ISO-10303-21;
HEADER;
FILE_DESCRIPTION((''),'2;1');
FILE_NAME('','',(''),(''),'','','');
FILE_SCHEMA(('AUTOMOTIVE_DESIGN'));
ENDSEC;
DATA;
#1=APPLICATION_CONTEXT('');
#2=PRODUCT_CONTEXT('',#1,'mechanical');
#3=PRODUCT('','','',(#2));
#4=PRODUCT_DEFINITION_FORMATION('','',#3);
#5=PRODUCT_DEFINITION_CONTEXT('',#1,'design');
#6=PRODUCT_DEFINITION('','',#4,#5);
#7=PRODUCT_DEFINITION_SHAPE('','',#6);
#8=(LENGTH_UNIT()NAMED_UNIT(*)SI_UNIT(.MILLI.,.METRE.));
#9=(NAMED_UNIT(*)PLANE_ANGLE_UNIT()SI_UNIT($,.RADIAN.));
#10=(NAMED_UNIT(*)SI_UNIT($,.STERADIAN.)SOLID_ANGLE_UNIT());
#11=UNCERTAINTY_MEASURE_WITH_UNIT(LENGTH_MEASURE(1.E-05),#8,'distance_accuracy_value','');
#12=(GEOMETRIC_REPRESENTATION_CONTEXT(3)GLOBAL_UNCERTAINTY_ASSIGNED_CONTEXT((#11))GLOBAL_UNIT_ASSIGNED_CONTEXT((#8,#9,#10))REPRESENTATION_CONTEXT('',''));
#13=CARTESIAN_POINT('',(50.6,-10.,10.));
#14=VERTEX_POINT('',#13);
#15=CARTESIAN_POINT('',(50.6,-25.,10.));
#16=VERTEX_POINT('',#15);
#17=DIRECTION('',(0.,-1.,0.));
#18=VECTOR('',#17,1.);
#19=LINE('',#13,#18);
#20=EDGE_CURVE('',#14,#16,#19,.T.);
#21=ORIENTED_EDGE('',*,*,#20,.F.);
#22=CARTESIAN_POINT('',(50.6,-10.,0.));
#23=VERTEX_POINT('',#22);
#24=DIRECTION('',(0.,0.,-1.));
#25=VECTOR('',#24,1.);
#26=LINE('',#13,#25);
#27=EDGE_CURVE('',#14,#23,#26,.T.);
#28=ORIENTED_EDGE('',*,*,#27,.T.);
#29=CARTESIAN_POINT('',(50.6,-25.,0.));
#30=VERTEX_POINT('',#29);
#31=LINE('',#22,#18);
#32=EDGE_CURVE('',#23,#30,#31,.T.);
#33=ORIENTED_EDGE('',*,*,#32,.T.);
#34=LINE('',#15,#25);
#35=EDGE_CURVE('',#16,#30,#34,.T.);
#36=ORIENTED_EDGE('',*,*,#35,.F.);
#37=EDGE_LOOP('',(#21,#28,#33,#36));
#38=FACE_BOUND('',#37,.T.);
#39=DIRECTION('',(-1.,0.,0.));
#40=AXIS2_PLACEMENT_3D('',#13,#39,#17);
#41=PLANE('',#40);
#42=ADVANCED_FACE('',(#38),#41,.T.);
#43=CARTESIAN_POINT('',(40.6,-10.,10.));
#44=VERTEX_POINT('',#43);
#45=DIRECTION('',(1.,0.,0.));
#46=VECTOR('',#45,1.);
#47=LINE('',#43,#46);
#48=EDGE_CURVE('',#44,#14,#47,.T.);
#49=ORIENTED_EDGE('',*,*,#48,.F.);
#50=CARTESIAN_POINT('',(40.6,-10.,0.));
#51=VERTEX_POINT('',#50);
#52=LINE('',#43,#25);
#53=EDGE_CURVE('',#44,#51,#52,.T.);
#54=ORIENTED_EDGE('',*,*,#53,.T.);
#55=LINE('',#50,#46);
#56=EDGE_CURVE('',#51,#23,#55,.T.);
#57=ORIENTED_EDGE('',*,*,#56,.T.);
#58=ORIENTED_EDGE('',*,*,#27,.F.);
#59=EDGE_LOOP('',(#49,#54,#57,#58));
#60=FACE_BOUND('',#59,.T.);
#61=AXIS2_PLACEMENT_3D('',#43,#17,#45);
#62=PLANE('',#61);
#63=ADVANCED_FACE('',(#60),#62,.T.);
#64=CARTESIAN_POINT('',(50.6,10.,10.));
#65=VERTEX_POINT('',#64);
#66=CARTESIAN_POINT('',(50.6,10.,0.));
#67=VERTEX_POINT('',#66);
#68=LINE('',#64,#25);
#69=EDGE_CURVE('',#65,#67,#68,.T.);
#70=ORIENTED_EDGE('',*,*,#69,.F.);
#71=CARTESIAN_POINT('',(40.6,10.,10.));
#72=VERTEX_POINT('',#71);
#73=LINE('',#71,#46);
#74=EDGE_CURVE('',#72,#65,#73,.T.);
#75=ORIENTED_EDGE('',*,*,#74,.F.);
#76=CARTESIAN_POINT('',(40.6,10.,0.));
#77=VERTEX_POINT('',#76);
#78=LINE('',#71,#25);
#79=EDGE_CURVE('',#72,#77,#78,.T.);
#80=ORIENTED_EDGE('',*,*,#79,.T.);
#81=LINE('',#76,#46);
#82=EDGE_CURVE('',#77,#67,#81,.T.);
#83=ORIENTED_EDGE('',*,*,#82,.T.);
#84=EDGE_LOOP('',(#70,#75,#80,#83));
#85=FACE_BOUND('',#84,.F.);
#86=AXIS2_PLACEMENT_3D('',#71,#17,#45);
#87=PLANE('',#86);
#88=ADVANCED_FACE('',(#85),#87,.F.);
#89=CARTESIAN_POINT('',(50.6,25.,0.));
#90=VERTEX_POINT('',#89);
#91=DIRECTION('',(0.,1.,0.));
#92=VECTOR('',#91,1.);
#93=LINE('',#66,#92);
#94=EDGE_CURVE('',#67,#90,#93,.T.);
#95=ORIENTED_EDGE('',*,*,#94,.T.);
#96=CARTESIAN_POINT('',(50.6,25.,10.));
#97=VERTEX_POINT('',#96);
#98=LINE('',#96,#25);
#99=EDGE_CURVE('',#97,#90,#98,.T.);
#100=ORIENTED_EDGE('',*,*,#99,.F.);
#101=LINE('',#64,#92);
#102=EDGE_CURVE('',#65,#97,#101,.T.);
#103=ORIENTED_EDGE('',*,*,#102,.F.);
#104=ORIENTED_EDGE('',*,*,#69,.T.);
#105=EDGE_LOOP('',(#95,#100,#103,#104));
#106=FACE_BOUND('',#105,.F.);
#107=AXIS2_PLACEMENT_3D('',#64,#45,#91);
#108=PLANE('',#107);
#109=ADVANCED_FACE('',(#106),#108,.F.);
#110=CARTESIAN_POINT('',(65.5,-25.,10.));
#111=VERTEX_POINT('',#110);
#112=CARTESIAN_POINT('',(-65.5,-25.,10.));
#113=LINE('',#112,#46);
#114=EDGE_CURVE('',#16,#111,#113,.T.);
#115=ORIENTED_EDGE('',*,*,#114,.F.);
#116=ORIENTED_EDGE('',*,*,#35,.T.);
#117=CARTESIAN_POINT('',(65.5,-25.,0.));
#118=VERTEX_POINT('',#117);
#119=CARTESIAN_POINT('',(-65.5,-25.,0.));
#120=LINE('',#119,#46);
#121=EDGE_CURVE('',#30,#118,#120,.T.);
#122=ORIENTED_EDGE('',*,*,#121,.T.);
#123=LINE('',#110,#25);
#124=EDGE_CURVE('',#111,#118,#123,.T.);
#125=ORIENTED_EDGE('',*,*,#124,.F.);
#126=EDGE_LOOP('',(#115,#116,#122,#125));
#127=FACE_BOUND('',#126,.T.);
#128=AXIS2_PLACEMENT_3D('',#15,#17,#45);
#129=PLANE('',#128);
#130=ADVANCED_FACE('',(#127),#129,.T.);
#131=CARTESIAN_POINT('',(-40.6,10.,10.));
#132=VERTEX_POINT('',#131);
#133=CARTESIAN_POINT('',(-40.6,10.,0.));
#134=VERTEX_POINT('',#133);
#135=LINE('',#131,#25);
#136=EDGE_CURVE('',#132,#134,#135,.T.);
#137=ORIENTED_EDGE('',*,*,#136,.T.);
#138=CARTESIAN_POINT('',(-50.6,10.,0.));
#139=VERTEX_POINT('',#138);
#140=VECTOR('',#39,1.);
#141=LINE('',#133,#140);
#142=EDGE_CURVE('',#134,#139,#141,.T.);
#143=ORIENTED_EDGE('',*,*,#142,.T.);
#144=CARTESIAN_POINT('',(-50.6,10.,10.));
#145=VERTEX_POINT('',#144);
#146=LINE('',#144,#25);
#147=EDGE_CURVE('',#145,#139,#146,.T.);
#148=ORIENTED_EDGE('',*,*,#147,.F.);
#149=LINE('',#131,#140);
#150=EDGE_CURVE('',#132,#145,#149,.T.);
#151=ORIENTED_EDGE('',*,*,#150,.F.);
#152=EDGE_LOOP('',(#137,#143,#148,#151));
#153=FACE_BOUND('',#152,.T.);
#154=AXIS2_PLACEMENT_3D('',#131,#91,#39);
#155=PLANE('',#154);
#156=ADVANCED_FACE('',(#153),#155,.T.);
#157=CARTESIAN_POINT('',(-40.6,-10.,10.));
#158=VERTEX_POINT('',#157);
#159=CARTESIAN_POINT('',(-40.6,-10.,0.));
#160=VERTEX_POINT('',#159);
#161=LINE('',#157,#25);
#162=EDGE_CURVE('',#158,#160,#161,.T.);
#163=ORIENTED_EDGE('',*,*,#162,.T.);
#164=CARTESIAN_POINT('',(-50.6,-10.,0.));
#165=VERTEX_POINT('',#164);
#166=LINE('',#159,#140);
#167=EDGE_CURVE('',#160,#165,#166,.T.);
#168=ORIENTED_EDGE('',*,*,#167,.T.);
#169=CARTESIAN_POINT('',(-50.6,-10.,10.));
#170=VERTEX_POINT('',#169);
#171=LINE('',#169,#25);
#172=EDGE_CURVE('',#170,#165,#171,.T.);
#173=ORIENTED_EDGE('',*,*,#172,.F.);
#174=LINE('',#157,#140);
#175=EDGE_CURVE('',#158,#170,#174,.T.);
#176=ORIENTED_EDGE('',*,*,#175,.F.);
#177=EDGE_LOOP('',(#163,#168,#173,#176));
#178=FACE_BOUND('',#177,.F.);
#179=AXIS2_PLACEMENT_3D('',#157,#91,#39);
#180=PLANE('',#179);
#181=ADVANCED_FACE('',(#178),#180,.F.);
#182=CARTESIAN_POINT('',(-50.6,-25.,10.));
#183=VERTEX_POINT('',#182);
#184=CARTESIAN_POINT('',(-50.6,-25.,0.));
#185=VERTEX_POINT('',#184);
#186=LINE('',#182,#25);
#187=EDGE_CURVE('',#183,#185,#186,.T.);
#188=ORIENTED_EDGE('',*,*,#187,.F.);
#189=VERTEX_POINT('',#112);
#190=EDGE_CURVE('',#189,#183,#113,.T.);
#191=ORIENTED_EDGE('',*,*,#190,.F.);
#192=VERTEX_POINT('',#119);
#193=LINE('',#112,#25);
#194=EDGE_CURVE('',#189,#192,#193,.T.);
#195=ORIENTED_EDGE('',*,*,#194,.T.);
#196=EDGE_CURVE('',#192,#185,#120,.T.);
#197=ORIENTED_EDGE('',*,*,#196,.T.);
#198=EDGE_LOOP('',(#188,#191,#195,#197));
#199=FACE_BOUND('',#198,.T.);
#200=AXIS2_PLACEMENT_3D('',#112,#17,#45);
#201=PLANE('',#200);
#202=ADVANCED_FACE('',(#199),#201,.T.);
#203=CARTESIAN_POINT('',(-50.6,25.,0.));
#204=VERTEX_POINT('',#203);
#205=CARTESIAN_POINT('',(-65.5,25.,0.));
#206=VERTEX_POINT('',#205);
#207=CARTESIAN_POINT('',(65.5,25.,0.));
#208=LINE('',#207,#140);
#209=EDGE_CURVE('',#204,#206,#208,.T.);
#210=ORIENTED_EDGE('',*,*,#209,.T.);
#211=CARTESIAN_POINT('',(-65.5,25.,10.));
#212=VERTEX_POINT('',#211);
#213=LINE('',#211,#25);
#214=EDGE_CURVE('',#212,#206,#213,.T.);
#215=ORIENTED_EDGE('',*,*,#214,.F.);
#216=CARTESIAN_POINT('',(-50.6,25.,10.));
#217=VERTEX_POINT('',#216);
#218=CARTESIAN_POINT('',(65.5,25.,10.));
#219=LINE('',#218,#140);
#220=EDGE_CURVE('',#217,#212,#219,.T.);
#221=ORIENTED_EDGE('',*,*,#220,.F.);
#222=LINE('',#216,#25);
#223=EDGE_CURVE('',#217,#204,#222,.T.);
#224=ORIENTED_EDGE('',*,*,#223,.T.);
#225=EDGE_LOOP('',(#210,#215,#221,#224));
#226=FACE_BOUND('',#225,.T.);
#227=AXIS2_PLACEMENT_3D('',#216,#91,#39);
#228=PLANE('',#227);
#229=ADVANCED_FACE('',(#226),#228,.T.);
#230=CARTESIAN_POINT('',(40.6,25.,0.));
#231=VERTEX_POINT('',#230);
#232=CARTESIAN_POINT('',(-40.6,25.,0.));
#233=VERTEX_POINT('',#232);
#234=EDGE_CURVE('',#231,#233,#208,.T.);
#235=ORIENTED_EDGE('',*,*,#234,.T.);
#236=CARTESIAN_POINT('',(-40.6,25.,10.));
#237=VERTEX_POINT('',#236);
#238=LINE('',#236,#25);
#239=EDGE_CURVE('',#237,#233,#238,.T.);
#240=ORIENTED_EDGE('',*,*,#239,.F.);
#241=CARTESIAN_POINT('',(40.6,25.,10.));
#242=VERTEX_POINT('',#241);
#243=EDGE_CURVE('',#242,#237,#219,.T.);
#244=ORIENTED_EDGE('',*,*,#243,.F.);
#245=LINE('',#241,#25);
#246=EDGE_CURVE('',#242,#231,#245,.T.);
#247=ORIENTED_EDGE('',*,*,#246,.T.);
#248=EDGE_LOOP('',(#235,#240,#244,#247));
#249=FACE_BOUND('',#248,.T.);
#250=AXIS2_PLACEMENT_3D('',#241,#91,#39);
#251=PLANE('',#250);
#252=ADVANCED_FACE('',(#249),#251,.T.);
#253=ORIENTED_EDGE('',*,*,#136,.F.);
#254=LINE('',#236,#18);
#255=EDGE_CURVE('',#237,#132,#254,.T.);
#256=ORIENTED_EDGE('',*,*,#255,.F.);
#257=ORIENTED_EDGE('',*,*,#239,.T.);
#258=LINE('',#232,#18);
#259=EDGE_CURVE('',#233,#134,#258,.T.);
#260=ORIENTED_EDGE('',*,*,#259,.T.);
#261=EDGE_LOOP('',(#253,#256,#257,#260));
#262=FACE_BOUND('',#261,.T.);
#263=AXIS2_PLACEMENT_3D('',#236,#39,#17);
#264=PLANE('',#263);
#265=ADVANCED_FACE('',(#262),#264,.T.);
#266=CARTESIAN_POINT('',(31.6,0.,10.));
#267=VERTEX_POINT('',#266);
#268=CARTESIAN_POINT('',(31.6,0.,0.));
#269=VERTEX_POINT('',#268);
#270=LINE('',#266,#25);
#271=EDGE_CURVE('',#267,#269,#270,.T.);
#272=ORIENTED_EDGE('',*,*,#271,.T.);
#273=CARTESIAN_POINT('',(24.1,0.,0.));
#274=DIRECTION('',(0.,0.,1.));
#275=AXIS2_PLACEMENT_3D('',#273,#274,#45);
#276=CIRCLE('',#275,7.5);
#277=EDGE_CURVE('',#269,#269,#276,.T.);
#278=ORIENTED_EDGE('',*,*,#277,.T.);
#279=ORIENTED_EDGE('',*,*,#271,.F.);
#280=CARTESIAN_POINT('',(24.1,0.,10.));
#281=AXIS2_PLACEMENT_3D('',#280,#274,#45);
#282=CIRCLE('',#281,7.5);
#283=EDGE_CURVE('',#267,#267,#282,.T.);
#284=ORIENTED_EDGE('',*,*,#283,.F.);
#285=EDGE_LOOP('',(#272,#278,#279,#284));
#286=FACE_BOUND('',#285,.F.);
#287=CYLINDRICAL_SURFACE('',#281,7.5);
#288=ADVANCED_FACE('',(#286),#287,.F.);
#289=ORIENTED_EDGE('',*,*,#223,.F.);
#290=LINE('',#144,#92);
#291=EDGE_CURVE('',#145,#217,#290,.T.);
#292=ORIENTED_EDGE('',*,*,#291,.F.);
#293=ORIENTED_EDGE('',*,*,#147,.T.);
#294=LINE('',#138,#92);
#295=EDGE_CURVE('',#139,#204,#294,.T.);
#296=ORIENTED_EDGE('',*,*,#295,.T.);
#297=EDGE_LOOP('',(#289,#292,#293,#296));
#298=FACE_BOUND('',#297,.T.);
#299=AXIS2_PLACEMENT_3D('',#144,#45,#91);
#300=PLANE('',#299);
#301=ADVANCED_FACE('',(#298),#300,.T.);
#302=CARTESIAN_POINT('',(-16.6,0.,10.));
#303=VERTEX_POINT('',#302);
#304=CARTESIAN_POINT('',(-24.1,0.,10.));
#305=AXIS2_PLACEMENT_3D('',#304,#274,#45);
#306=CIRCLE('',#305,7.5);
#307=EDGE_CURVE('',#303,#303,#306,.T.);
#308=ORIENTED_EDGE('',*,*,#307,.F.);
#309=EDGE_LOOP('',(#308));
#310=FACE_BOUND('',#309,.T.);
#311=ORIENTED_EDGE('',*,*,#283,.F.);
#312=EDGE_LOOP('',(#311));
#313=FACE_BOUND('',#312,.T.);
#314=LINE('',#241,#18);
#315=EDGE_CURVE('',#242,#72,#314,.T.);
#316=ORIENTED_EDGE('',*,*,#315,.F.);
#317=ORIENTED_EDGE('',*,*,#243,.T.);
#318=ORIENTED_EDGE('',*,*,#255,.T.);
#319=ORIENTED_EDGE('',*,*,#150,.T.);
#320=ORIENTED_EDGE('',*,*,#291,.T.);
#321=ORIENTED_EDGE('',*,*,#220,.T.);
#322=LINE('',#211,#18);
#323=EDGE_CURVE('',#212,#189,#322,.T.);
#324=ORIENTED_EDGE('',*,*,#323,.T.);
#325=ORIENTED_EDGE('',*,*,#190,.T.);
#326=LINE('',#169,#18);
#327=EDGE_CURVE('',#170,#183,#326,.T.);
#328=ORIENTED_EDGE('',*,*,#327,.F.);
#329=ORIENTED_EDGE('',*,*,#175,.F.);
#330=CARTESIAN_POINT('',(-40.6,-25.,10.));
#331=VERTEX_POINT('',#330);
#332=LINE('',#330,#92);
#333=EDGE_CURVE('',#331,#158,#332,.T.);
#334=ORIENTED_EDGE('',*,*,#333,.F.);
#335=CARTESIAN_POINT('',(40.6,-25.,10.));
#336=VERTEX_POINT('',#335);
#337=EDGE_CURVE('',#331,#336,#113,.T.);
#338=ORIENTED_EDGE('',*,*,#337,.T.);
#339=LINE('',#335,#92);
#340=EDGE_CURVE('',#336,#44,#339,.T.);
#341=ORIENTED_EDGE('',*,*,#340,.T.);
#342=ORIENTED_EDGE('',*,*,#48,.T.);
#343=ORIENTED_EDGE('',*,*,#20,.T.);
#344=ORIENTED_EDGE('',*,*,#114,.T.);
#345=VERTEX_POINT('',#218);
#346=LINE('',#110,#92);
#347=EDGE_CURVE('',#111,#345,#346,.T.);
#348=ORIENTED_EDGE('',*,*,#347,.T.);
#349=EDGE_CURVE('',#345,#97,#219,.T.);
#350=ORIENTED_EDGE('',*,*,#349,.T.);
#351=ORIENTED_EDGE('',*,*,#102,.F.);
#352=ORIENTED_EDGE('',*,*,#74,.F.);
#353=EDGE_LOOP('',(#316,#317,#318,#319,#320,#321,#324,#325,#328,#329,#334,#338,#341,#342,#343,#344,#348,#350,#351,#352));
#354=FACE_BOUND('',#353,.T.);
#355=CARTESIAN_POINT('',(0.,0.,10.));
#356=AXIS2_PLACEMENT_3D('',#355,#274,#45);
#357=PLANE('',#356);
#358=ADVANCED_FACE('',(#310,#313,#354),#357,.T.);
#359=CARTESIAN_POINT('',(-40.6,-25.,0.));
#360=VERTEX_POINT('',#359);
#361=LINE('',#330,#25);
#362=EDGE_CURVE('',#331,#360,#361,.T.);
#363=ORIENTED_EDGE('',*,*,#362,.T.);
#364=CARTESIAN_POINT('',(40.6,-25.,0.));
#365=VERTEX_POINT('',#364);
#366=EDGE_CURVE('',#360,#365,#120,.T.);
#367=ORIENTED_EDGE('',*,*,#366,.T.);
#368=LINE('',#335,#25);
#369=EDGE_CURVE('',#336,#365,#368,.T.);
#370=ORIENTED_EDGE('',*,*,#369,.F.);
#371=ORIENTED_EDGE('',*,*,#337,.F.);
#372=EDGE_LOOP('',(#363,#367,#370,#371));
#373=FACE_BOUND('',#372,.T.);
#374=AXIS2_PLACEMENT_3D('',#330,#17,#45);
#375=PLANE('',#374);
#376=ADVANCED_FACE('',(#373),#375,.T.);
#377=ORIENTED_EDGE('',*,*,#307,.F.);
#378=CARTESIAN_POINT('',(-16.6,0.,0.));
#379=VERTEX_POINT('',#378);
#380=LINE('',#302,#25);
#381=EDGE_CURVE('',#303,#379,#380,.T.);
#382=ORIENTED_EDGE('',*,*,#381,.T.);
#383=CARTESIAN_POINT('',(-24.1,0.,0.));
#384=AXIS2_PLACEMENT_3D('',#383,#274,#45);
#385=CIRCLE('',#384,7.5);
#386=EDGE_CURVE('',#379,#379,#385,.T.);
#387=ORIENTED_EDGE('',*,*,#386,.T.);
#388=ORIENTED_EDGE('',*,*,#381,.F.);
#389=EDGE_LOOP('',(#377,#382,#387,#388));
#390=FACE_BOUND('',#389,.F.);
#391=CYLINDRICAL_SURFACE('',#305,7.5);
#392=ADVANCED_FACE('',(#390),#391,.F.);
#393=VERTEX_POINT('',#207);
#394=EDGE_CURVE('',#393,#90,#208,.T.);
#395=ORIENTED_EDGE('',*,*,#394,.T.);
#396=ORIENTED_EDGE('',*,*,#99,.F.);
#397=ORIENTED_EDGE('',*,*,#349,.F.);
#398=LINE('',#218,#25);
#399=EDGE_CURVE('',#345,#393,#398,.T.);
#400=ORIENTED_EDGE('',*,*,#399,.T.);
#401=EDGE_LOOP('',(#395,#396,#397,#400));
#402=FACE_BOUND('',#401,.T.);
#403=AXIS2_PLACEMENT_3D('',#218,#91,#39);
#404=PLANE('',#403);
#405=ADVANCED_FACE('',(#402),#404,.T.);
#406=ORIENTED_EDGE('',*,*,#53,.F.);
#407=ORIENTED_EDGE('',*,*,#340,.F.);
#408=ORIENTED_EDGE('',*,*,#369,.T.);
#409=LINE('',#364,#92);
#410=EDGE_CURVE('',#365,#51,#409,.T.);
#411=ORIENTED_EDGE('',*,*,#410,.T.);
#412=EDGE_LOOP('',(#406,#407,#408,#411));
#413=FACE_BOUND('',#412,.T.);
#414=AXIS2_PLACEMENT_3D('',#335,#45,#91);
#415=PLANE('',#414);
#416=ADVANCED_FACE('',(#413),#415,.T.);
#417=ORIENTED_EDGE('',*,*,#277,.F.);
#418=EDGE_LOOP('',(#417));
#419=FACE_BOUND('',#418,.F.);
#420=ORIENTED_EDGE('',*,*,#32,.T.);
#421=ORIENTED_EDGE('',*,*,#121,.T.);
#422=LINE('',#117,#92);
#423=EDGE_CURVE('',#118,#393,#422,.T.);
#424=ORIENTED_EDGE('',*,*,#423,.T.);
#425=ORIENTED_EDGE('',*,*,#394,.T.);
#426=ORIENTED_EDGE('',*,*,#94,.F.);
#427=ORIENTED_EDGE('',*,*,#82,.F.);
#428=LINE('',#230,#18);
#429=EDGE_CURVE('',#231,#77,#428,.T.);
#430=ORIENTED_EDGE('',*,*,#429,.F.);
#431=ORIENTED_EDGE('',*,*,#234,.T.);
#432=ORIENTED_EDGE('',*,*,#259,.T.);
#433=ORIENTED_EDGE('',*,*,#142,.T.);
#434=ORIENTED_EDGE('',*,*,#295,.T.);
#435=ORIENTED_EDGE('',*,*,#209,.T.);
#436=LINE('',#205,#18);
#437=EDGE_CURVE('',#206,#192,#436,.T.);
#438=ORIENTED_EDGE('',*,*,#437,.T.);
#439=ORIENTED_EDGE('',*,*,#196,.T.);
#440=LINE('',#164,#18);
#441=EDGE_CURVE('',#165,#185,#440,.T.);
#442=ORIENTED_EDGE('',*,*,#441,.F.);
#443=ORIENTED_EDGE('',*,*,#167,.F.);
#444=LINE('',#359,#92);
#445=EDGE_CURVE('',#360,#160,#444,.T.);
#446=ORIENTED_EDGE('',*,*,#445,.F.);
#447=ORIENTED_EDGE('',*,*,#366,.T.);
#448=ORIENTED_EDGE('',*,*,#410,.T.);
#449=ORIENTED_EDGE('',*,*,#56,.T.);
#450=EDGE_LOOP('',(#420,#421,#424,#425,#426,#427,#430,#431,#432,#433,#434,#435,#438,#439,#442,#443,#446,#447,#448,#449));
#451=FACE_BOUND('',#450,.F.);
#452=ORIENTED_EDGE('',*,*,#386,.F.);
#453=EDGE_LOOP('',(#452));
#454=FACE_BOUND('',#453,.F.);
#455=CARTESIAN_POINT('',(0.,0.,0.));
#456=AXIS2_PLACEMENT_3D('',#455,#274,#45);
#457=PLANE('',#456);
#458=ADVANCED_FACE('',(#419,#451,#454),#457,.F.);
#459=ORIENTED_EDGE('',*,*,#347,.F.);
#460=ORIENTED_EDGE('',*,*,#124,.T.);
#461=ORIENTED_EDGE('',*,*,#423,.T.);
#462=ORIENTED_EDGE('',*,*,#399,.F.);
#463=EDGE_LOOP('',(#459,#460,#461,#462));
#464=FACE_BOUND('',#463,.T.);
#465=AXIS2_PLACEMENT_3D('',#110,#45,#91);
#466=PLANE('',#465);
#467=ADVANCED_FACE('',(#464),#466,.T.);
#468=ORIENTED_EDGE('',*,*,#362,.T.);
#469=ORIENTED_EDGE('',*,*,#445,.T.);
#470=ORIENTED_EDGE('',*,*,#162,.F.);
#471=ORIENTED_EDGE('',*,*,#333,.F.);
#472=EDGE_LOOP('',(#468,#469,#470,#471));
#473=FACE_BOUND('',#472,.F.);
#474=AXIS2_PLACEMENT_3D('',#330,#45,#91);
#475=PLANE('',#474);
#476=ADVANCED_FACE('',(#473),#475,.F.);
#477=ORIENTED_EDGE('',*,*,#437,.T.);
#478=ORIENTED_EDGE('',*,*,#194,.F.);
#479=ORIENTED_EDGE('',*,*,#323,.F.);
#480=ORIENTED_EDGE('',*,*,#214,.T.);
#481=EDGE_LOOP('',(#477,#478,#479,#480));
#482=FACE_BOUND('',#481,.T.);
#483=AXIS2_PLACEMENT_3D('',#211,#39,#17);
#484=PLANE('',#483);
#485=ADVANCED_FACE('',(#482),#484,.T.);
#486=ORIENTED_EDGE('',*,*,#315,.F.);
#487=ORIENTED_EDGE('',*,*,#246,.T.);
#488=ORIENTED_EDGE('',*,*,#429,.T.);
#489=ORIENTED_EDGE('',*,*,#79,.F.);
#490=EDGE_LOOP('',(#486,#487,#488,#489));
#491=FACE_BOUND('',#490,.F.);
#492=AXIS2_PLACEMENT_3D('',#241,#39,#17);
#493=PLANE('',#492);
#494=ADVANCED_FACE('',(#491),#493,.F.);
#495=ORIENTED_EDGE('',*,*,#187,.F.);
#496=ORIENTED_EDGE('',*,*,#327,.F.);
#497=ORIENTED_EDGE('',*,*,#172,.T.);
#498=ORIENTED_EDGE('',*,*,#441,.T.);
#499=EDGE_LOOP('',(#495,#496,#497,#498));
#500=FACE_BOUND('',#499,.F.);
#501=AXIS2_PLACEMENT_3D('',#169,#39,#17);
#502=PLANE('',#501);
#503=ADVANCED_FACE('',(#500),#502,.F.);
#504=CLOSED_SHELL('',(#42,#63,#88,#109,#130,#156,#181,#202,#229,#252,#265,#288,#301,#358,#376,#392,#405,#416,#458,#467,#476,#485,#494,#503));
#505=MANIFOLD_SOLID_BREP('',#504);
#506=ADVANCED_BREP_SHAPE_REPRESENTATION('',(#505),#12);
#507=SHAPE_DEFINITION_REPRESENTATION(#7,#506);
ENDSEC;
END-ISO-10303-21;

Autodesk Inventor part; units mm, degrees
ref_plane "YZ Plane" through (0, 0, 0) normal (1, 0, 0) x (0, 1, 0)
ref_plane "XZ Plane" through (0, 0, 0) normal (0, 1, 0) x (-1, 0, 0)
ref_plane "XY Plane" through (0, 0, 0) normal (0, 0, 1) x (1, 0, 0)
sketch "Sketch1" plane through (0, 0, 0) normal (0, 0, 1) x (1, 0, 0)
  line L0 (65.5, 25) -> (-65.5, 25)
  line L1 (-65.5, 25) -> (-65.5, -25)
  line L2 (-65.5, -25) -> (65.5, -25)
  line L3 (65.5, -25) -> (65.5, 25)
  line L4 (65.5, 25) -> (-65.5, -25) construction
  line L5 (-65.5, 25) -> (65.5, -25) construction
  line L6 (0, 0) -> (-24.1, 0)
  line L7 (0, 0) -> (24.1, 0)
  circle A0 centre (-24.1, 0) radius 7.5
  circle A1 centre (24.1, 0) radius 7.5
  dimension "d0" = 131
  dimension "d1" = 50
  dimension "d2" = 24.1
  dimension "d3" = 24.1
  dimension "d4" = 15
  dimension "d5" = 15
extrude "Extrusion1" add sketch "Sketch1" along normal blind 10
sketch "Sketch2" plane through (0, 0, 10) normal (0, 0, 1) x (1, 0, 0)
  circle A0 centre (24.1, 0) radius 7.5 projected
  circle A1 centre (-24.1, 0) radius 7.5 projected
  line L0 (65.5, 25) -> (-65.5, 25) projected
  line L1 (-65.5, 25) -> (-65.5, -25) projected
  line L2 (-65.5, -25) -> (65.5, -25) projected
  line L3 (65.5, -25) -> (65.5, 25) projected
  line L4 (-40.6, 25) -> (-40.6, 10)
  line L5 (-40.6, 10) -> (-50.6, 10)
  line L6 (-50.6, 10) -> (-50.6, 25)
  line L7 (-40.6, -25) -> (-40.6, -10)
  line L8 (-40.6, -10) -> (-50.6, -10)
  line L9 (-50.6, -10) -> (-50.6, -25)
  line L10 (40.6, 25) -> (40.6, 10)
  line L11 (40.6, 10) -> (50.6, 10)
  line L12 (50.6, 10) -> (50.6, 25)
  line L13 (40.6, -25) -> (40.6, -10)
  line L14 (40.6, -10) -> (50.6, -10)
  line L15 (50.6, -10) -> (50.6, -25)
  point P0 (0, 0)
  dimension "d10" = 15
  dimension "d12" = 15
  dimension "d14" = 15
  dimension "d16" = 15
sketch "Sketch3" plane through (0, 0, 10) normal (0, 0, 1) x (1, 0, 0)
  circle A0 centre (24.1, 0) radius 7.5 projected
  circle A1 centre (-24.1, 0) radius 7.5 projected
  line L0 (65.5, 25) -> (-65.5, 25) projected
  line L1 (-65.5, 25) -> (-65.5, -25) projected
  line L2 (-65.5, -25) -> (65.5, -25) projected
  line L3 (65.5, -25) -> (65.5, 25) projected
  point P0 (0, 0)
extrude "Extrusion2" cut sketch "Sketch3" against normal blind 10
extrude "Extrusion3" add sketch "Sketch2" against normal blind 10 contours L3 L2 L15 L14 L13 L7 L8 L9 L1 L0 L6 L5 L4 L10 L11 L12
properties part number "prepazka"
